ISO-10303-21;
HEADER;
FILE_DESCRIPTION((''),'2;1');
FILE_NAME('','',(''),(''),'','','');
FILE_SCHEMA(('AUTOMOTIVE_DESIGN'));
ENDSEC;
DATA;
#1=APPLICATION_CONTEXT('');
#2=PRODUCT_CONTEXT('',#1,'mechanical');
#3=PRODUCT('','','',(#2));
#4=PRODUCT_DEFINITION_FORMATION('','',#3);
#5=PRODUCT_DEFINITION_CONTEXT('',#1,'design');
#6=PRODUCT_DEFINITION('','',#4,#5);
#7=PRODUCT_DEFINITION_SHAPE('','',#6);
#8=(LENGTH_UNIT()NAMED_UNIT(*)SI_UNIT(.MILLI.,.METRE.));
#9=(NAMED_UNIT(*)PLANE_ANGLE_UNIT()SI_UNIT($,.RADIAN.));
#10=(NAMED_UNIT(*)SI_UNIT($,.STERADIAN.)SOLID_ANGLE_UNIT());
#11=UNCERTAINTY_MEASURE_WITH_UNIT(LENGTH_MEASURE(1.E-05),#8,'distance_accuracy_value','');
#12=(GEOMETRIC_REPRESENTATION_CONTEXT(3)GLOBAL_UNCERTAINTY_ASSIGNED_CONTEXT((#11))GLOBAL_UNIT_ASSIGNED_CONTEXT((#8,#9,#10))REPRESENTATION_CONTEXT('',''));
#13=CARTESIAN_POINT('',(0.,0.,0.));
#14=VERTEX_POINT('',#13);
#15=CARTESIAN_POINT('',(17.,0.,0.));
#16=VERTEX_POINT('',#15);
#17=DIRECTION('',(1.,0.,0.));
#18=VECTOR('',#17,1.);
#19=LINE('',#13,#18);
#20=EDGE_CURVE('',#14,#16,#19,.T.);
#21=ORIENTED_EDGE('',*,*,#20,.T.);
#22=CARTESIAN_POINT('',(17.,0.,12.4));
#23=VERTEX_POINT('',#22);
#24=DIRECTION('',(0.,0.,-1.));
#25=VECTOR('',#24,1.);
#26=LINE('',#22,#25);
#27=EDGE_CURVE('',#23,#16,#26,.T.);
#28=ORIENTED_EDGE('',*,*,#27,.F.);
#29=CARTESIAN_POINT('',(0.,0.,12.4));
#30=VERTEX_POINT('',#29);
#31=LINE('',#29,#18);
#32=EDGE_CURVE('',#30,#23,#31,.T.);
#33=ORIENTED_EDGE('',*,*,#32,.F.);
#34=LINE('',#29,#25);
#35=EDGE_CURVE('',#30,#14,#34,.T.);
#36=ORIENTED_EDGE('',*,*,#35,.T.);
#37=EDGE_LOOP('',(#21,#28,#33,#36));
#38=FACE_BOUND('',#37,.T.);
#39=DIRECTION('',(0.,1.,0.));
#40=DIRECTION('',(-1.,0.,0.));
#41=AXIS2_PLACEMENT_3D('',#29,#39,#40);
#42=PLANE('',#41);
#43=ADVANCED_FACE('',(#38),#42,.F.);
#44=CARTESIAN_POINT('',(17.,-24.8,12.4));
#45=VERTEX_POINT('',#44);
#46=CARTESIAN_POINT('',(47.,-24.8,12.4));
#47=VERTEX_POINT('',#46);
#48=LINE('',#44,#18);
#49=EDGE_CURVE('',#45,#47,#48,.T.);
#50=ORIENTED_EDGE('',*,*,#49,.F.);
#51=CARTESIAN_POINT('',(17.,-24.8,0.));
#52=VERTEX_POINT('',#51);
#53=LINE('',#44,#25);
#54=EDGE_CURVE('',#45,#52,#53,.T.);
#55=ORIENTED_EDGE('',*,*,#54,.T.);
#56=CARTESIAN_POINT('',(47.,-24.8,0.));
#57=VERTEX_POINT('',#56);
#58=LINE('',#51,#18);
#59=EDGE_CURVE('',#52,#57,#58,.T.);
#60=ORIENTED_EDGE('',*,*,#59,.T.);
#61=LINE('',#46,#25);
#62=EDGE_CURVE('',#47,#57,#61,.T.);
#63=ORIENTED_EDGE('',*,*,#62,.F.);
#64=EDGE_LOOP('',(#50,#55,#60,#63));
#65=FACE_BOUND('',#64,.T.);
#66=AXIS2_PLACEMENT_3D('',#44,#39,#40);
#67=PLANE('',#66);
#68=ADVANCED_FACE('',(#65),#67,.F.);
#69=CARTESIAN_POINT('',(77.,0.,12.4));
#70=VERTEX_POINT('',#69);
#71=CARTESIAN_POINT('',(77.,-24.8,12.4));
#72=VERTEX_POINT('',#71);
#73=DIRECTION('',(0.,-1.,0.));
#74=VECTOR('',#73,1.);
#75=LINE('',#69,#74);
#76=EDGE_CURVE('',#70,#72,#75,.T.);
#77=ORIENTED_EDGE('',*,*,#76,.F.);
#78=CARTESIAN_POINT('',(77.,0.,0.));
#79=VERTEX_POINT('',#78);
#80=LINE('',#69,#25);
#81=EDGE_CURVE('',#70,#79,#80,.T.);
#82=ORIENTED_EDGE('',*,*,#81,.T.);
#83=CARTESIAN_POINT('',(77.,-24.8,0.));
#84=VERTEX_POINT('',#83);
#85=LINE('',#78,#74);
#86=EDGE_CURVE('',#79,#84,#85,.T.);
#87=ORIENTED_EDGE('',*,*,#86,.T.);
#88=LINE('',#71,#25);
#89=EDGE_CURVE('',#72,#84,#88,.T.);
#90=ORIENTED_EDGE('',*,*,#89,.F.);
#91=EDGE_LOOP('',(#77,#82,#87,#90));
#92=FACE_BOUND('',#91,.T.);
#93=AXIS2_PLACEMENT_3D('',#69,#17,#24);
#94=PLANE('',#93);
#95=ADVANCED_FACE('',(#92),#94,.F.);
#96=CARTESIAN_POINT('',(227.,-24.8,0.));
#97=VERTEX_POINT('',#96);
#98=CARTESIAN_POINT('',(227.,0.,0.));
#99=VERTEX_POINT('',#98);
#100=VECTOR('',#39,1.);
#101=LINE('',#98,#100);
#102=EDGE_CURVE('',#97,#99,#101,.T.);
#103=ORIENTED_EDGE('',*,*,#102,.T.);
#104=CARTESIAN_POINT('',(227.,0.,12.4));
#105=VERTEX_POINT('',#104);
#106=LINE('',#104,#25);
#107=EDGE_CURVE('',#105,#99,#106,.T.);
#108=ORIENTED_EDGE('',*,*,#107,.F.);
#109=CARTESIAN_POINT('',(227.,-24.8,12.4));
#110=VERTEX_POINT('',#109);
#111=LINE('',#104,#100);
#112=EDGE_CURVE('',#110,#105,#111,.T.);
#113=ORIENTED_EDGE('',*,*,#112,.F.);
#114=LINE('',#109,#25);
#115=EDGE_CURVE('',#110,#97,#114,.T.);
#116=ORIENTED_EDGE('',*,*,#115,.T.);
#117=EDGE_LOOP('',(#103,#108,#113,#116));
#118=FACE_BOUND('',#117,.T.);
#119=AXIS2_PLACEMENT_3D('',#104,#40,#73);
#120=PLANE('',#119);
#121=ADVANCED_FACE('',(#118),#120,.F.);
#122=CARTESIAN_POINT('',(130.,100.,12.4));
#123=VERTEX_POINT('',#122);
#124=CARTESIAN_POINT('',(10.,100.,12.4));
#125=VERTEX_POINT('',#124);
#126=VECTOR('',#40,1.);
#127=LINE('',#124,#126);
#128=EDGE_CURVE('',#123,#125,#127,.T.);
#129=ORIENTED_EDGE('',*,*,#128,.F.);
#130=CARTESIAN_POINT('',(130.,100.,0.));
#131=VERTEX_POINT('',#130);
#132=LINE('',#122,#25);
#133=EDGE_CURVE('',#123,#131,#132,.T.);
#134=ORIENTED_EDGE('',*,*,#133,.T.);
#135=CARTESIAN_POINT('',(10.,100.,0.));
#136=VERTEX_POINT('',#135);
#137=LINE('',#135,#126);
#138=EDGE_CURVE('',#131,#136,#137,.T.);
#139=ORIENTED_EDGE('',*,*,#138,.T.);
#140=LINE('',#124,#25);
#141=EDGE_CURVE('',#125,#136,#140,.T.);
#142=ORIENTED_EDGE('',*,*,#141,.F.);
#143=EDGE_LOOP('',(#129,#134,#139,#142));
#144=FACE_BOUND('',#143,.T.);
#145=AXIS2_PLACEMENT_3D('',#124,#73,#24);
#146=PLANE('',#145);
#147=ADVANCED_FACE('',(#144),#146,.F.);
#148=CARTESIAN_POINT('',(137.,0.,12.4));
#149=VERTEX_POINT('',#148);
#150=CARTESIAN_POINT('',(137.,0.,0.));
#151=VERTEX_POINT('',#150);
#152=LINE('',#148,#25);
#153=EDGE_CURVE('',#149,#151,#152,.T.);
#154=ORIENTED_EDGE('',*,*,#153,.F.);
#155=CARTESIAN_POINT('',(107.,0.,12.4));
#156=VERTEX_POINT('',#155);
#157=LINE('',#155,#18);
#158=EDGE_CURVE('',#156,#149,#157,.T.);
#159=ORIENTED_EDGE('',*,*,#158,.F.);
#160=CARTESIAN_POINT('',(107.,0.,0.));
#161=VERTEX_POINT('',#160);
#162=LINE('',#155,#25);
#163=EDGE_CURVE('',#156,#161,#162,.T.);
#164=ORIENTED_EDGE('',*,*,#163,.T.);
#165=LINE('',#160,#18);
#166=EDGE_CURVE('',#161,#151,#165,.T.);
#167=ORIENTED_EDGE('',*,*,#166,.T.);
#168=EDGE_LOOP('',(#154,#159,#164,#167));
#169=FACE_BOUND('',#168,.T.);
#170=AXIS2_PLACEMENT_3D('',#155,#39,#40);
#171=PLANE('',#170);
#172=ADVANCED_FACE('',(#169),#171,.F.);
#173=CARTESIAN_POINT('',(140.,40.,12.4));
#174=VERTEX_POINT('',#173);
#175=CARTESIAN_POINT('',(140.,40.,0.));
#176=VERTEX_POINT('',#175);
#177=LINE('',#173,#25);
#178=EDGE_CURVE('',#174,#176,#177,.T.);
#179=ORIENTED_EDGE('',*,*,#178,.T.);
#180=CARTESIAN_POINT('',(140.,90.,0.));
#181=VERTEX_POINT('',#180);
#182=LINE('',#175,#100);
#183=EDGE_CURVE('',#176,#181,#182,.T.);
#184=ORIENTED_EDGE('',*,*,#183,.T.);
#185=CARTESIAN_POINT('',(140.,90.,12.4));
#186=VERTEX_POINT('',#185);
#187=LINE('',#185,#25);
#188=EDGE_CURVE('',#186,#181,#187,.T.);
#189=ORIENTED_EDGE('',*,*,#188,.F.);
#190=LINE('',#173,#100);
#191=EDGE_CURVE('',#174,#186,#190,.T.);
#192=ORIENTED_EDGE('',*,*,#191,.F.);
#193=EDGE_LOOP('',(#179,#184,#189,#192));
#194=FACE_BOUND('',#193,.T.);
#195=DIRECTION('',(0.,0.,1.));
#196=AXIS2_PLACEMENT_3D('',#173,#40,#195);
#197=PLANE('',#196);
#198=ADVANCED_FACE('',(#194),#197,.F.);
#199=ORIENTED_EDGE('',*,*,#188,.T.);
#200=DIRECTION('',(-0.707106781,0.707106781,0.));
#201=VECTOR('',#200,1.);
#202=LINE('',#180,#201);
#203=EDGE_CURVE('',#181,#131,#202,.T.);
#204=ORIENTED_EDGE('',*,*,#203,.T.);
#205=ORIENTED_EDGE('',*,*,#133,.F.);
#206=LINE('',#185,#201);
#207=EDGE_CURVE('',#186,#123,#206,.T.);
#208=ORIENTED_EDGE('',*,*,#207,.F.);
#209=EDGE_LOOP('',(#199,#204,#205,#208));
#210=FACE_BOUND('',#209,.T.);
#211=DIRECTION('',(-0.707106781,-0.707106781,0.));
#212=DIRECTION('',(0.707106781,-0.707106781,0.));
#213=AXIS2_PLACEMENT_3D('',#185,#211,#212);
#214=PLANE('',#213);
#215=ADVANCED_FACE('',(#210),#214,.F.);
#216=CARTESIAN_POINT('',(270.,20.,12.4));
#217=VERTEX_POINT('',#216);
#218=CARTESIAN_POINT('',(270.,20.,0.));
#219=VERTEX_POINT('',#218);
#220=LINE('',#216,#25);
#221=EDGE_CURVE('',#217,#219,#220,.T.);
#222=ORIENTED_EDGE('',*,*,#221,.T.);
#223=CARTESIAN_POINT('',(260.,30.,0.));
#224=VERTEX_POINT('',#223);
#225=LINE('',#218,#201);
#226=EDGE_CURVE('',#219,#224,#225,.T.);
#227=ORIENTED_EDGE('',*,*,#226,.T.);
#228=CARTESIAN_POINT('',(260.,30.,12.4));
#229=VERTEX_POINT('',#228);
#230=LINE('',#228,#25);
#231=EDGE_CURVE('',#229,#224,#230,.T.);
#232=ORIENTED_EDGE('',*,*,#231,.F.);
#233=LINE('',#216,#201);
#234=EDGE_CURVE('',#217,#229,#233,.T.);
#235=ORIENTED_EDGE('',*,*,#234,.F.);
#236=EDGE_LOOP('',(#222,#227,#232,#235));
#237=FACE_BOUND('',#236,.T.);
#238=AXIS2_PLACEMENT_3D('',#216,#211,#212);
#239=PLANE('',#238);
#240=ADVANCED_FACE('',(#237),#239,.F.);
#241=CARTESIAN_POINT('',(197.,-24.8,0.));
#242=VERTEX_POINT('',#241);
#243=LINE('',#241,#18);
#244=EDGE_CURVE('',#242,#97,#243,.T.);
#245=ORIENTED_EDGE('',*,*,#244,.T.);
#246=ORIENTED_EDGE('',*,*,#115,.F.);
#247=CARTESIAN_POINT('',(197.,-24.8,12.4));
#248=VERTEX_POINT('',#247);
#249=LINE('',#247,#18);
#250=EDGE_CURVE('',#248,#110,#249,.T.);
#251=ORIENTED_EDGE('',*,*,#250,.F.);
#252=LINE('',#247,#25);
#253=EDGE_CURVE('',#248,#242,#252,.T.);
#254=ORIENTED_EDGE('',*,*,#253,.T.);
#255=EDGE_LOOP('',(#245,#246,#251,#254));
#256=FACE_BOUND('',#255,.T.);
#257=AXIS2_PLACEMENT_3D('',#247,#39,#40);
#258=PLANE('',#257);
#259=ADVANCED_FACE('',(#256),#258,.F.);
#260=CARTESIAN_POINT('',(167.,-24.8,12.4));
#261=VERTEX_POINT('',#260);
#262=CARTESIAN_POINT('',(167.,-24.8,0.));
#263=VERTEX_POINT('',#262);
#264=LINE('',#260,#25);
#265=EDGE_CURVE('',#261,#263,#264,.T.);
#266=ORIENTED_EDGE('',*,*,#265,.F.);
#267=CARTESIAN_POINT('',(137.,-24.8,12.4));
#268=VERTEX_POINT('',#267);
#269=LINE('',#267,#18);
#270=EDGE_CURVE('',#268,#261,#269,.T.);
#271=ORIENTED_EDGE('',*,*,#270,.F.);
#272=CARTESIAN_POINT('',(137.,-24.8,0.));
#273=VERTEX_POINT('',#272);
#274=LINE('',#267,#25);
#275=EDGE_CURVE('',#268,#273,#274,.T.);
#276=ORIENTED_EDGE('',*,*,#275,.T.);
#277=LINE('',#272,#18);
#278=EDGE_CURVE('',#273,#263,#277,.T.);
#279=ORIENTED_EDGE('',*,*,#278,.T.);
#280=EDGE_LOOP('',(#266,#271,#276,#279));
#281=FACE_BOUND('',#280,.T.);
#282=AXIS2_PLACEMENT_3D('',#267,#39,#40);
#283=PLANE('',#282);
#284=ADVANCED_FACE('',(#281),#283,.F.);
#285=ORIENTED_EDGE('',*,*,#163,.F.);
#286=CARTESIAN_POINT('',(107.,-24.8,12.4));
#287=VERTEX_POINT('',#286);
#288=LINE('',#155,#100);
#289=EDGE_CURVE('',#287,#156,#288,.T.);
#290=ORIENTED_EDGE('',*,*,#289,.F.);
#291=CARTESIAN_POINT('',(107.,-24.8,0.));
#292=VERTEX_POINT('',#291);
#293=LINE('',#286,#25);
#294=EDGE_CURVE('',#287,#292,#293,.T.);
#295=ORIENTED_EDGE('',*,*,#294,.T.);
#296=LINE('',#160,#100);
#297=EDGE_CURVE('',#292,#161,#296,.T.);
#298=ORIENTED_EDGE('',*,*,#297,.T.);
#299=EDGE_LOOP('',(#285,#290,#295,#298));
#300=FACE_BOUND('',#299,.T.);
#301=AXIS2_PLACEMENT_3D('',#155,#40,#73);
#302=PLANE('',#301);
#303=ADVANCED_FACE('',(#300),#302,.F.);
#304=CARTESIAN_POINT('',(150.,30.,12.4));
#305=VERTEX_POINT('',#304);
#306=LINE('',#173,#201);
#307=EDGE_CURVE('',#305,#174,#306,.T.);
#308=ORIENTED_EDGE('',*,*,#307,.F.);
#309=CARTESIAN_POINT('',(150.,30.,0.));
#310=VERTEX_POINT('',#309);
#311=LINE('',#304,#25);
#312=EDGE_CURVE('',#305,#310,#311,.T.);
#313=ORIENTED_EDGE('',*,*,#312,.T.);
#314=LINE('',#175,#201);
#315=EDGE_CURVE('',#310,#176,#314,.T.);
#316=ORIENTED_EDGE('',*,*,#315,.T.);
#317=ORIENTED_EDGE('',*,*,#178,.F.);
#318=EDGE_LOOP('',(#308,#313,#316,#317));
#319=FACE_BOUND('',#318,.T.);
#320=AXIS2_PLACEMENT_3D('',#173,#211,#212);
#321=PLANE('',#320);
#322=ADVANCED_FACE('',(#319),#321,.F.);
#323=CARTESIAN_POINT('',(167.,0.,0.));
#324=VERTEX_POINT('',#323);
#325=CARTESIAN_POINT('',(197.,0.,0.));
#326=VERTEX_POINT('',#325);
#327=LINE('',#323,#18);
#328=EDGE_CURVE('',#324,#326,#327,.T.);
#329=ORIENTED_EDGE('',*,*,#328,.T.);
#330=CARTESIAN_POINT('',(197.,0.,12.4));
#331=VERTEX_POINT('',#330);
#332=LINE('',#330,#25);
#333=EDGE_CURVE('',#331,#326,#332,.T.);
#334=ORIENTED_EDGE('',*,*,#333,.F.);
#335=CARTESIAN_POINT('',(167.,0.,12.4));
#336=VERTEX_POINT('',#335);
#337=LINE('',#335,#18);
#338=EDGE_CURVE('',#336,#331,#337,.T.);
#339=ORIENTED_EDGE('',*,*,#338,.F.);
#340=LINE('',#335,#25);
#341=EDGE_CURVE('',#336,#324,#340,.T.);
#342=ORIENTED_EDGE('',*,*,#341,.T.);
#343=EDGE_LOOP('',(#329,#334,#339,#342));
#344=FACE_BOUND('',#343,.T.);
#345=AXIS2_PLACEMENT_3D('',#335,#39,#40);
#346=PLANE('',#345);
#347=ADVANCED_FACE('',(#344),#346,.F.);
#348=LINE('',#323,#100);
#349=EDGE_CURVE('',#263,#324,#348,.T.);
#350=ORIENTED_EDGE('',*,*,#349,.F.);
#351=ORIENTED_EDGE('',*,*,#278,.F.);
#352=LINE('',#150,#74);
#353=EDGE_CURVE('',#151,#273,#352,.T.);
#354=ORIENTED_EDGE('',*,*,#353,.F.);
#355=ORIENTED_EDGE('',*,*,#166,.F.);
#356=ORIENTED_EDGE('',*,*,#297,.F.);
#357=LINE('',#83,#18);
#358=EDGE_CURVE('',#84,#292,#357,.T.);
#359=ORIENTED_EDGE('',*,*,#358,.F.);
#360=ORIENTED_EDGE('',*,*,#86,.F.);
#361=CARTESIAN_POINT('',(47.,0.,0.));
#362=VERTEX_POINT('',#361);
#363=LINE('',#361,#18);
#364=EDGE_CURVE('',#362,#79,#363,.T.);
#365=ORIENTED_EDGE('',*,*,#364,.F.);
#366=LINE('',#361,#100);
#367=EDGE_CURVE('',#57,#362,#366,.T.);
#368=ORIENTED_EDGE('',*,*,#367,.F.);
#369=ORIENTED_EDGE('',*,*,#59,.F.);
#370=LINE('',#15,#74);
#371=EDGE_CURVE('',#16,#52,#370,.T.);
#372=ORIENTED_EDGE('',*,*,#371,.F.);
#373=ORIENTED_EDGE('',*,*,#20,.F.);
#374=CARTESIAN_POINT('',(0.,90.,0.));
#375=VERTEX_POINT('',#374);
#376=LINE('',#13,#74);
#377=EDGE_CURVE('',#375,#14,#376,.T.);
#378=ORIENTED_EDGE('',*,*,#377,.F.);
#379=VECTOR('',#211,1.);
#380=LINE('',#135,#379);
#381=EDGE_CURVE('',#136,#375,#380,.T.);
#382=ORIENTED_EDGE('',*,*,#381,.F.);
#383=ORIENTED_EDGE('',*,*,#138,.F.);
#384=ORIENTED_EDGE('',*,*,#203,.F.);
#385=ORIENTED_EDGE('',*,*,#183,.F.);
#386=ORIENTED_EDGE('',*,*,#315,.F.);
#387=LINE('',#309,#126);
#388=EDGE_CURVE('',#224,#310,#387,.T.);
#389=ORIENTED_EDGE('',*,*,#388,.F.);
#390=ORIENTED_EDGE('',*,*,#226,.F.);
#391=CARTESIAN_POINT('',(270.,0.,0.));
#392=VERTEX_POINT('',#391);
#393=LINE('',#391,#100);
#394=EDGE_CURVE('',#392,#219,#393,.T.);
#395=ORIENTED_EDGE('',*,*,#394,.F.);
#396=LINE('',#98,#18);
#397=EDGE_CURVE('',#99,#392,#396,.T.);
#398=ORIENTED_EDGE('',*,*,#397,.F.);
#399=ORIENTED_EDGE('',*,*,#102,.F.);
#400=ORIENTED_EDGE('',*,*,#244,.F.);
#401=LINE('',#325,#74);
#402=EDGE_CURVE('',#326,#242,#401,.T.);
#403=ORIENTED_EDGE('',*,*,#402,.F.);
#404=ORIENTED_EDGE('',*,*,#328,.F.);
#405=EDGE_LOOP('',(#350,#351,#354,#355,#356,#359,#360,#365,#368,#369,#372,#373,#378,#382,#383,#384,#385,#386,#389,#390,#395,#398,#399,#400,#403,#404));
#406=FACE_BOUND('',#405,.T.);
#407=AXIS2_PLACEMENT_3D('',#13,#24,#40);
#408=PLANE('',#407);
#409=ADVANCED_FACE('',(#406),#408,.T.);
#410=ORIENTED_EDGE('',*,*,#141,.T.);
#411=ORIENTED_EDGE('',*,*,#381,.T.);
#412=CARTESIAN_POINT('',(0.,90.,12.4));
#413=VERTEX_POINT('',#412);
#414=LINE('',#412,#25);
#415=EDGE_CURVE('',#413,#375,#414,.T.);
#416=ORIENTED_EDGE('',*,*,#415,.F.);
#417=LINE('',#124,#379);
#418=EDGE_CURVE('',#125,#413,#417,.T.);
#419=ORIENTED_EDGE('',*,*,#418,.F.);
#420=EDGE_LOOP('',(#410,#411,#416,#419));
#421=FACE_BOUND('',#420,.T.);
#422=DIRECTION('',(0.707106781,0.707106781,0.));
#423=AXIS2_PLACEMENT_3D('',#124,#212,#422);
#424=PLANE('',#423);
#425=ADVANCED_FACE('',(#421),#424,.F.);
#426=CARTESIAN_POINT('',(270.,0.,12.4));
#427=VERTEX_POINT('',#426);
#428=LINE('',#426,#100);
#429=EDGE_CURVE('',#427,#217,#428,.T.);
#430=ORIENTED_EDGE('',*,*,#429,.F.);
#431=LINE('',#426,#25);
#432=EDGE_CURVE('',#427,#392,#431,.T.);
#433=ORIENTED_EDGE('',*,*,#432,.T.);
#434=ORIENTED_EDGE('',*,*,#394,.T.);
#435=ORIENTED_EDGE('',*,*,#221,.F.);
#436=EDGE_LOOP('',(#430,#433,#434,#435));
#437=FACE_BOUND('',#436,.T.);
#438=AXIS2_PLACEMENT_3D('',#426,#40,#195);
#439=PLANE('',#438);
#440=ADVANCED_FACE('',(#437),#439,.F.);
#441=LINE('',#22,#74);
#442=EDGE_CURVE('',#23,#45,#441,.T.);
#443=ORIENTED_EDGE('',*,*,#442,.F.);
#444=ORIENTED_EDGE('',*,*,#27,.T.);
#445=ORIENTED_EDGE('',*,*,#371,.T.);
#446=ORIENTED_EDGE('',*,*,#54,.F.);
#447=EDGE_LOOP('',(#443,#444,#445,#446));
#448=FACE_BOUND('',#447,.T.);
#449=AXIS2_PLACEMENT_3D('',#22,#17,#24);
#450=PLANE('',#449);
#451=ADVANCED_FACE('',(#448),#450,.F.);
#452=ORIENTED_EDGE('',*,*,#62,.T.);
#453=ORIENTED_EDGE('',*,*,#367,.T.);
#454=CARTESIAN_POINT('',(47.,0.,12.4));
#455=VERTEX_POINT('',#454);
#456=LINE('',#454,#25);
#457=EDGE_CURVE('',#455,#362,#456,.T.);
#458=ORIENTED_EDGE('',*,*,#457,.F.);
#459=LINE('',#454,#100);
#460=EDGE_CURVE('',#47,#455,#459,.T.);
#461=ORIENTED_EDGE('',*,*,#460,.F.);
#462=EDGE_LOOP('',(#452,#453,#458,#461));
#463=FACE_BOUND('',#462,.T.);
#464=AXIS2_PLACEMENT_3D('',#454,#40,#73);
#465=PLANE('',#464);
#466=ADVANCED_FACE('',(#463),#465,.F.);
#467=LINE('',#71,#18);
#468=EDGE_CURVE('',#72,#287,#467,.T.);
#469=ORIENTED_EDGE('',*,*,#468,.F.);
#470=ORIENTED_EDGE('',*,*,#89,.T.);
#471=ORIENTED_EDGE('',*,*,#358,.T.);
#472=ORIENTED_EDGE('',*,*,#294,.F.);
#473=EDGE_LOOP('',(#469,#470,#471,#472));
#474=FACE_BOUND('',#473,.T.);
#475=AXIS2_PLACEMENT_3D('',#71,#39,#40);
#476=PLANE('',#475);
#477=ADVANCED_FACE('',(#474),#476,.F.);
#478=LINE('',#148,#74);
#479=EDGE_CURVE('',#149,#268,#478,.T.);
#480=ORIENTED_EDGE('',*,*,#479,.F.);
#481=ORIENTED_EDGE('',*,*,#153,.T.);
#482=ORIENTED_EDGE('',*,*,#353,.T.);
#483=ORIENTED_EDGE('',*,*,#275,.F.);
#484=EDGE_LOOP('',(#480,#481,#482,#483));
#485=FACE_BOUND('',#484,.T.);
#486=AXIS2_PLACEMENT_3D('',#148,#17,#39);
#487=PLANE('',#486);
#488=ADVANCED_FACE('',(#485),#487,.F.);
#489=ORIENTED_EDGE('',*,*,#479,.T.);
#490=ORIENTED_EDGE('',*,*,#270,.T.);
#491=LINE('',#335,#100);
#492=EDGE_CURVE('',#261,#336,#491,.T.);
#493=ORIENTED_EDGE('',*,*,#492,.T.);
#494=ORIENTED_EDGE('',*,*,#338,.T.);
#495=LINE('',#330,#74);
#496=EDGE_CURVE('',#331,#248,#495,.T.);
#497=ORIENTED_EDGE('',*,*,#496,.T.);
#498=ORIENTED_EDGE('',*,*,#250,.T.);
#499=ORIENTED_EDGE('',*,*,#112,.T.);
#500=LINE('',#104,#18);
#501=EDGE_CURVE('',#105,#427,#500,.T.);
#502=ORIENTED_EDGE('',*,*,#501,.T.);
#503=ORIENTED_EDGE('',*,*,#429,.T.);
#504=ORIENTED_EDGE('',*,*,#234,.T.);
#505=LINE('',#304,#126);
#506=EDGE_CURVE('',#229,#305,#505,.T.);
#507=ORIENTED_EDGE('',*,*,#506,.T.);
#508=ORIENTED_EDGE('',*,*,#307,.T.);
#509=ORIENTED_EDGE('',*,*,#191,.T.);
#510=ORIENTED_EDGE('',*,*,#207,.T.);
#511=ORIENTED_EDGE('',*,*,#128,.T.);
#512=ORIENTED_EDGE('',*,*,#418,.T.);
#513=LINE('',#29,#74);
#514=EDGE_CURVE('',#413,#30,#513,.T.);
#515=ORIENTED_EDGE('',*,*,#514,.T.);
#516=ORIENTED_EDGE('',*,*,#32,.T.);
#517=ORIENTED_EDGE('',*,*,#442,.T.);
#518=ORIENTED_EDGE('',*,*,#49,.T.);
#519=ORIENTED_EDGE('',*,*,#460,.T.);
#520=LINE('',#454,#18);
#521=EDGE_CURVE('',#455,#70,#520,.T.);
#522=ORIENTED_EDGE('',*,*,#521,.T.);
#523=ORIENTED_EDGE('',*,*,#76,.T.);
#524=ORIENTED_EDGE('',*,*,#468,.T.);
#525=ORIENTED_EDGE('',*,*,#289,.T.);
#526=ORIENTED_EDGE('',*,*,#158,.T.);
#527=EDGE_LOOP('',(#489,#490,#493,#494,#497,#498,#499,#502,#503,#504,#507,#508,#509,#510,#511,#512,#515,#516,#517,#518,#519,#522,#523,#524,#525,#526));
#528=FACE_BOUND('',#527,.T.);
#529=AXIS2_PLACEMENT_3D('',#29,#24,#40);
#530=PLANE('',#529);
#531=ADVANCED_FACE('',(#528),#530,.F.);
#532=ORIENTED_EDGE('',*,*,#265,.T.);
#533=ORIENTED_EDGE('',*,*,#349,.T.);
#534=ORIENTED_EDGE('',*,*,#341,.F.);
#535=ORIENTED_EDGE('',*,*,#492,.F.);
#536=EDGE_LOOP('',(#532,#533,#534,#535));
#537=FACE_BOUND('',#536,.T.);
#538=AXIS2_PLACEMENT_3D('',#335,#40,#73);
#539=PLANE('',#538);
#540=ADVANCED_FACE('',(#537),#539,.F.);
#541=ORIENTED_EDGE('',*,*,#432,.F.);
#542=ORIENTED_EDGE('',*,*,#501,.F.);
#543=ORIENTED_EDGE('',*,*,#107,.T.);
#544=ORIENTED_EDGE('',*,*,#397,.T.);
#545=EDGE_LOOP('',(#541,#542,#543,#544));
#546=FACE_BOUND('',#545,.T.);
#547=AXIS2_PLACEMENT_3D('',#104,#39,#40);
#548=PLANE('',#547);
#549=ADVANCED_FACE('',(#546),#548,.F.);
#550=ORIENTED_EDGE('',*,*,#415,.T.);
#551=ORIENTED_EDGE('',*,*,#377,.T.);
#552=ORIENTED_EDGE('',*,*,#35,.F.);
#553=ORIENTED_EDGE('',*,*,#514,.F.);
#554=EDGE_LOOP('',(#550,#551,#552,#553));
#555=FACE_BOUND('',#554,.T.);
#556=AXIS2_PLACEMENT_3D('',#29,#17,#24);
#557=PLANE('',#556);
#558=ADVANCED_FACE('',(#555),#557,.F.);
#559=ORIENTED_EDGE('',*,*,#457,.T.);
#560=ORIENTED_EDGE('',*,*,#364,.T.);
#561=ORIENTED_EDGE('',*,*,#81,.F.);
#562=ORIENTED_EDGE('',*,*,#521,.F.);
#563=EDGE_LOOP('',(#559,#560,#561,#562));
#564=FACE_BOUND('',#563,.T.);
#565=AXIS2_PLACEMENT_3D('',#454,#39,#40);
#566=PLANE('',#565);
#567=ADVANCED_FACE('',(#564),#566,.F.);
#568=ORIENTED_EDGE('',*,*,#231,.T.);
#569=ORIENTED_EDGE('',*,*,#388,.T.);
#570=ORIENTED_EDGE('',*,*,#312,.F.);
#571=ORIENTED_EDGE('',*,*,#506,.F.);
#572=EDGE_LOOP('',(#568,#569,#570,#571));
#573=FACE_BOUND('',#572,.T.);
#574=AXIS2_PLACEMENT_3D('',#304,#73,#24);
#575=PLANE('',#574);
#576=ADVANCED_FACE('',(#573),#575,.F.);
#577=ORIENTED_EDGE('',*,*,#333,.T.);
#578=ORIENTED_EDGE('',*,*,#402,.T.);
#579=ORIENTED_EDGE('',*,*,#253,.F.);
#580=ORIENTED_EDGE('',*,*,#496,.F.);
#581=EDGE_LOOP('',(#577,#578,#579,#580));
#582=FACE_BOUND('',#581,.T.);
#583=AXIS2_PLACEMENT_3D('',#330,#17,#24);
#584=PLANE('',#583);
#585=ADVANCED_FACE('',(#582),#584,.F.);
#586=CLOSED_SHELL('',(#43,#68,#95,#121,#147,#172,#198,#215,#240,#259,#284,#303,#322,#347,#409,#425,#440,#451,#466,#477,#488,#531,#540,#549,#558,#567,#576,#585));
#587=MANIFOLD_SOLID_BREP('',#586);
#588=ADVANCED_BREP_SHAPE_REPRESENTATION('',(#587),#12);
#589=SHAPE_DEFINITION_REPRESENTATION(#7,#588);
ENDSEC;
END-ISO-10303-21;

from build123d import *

# Parameters (mm, degrees)
BOSS_EXTRUDE1_DEPTH = 12.4


with BuildPart() as part:
    # Model → Boss-Extrude1 (new body)
    with BuildSketch(Plane.XY):
        Polygon((0, 0), (17, 0), (17, -24.8), (47, -24.8), (47, 0), (77, 0), (77, -24.8), (107, -24.8), (107, 0), (137, 0), (137, -24.8), (167, -24.8), (167, 0), (197, 0), (197, -24.8), (227, -24.8), (227, 0), (270, 0), (270, 20), (260, 30), (150, 30), (140, 40), (140, 90), (130, 100), (10, 100), (0, 90), align=None)
    extrude(amount=BOSS_EXTRUDE1_DEPTH)


solid = part.part
